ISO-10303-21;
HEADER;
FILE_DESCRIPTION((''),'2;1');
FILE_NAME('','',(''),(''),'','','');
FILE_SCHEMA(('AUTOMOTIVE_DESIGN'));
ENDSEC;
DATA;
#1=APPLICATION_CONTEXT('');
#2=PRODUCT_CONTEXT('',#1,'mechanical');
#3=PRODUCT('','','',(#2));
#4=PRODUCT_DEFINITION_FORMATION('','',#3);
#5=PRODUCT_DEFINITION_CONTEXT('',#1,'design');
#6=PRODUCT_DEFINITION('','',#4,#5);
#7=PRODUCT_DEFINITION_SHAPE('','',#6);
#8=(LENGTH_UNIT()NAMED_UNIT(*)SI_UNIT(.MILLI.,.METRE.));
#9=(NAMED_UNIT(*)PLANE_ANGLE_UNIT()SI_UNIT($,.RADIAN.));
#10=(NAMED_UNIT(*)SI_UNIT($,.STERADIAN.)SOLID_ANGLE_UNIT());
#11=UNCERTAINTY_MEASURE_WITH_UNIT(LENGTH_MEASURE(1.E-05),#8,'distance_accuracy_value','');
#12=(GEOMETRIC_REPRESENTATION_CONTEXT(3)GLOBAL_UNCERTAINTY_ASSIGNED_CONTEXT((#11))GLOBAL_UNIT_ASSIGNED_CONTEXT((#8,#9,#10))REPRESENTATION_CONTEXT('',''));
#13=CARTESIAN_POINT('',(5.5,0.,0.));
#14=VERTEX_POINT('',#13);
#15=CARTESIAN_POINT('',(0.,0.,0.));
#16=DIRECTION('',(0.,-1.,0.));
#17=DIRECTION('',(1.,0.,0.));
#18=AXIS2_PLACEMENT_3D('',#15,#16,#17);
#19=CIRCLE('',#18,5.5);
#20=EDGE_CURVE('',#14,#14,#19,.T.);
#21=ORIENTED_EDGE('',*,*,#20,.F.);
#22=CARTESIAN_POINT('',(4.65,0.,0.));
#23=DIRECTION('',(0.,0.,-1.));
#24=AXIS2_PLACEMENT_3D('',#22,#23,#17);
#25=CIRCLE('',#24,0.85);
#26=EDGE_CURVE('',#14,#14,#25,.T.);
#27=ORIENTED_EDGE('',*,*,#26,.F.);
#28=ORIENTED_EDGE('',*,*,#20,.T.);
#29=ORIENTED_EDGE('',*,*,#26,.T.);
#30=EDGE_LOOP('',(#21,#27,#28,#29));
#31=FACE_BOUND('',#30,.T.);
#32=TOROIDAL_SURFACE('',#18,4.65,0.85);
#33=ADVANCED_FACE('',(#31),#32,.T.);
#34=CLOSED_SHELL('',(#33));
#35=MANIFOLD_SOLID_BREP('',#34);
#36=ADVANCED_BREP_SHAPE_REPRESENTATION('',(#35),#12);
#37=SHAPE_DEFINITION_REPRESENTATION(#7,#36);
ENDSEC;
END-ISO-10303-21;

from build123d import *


with BuildPart() as f2:
    # F2: sweep along a path in F0
    with BuildLine(Plane.XZ) as f2_path:
        CenterArc((0, 0), 5.5, 0, 360)
    # F1 (on Top) → F2 (sweep)
    with BuildSketch(Plane.XY):
        with BuildLine():
            ThreePointArc((3.8, 0), (4.65, -0.85), (5.5, 0))
            Line((5.5, 0), (3.8, 0))
        make_face()
        with BuildLine():
            Line((3.8, 0), (5.5, 0))
            ThreePointArc((5.5, 0), (4.65, 0.85), (3.8, 0))
        make_face()
    sweep(path=f2_path.line)


solid = f2.part
